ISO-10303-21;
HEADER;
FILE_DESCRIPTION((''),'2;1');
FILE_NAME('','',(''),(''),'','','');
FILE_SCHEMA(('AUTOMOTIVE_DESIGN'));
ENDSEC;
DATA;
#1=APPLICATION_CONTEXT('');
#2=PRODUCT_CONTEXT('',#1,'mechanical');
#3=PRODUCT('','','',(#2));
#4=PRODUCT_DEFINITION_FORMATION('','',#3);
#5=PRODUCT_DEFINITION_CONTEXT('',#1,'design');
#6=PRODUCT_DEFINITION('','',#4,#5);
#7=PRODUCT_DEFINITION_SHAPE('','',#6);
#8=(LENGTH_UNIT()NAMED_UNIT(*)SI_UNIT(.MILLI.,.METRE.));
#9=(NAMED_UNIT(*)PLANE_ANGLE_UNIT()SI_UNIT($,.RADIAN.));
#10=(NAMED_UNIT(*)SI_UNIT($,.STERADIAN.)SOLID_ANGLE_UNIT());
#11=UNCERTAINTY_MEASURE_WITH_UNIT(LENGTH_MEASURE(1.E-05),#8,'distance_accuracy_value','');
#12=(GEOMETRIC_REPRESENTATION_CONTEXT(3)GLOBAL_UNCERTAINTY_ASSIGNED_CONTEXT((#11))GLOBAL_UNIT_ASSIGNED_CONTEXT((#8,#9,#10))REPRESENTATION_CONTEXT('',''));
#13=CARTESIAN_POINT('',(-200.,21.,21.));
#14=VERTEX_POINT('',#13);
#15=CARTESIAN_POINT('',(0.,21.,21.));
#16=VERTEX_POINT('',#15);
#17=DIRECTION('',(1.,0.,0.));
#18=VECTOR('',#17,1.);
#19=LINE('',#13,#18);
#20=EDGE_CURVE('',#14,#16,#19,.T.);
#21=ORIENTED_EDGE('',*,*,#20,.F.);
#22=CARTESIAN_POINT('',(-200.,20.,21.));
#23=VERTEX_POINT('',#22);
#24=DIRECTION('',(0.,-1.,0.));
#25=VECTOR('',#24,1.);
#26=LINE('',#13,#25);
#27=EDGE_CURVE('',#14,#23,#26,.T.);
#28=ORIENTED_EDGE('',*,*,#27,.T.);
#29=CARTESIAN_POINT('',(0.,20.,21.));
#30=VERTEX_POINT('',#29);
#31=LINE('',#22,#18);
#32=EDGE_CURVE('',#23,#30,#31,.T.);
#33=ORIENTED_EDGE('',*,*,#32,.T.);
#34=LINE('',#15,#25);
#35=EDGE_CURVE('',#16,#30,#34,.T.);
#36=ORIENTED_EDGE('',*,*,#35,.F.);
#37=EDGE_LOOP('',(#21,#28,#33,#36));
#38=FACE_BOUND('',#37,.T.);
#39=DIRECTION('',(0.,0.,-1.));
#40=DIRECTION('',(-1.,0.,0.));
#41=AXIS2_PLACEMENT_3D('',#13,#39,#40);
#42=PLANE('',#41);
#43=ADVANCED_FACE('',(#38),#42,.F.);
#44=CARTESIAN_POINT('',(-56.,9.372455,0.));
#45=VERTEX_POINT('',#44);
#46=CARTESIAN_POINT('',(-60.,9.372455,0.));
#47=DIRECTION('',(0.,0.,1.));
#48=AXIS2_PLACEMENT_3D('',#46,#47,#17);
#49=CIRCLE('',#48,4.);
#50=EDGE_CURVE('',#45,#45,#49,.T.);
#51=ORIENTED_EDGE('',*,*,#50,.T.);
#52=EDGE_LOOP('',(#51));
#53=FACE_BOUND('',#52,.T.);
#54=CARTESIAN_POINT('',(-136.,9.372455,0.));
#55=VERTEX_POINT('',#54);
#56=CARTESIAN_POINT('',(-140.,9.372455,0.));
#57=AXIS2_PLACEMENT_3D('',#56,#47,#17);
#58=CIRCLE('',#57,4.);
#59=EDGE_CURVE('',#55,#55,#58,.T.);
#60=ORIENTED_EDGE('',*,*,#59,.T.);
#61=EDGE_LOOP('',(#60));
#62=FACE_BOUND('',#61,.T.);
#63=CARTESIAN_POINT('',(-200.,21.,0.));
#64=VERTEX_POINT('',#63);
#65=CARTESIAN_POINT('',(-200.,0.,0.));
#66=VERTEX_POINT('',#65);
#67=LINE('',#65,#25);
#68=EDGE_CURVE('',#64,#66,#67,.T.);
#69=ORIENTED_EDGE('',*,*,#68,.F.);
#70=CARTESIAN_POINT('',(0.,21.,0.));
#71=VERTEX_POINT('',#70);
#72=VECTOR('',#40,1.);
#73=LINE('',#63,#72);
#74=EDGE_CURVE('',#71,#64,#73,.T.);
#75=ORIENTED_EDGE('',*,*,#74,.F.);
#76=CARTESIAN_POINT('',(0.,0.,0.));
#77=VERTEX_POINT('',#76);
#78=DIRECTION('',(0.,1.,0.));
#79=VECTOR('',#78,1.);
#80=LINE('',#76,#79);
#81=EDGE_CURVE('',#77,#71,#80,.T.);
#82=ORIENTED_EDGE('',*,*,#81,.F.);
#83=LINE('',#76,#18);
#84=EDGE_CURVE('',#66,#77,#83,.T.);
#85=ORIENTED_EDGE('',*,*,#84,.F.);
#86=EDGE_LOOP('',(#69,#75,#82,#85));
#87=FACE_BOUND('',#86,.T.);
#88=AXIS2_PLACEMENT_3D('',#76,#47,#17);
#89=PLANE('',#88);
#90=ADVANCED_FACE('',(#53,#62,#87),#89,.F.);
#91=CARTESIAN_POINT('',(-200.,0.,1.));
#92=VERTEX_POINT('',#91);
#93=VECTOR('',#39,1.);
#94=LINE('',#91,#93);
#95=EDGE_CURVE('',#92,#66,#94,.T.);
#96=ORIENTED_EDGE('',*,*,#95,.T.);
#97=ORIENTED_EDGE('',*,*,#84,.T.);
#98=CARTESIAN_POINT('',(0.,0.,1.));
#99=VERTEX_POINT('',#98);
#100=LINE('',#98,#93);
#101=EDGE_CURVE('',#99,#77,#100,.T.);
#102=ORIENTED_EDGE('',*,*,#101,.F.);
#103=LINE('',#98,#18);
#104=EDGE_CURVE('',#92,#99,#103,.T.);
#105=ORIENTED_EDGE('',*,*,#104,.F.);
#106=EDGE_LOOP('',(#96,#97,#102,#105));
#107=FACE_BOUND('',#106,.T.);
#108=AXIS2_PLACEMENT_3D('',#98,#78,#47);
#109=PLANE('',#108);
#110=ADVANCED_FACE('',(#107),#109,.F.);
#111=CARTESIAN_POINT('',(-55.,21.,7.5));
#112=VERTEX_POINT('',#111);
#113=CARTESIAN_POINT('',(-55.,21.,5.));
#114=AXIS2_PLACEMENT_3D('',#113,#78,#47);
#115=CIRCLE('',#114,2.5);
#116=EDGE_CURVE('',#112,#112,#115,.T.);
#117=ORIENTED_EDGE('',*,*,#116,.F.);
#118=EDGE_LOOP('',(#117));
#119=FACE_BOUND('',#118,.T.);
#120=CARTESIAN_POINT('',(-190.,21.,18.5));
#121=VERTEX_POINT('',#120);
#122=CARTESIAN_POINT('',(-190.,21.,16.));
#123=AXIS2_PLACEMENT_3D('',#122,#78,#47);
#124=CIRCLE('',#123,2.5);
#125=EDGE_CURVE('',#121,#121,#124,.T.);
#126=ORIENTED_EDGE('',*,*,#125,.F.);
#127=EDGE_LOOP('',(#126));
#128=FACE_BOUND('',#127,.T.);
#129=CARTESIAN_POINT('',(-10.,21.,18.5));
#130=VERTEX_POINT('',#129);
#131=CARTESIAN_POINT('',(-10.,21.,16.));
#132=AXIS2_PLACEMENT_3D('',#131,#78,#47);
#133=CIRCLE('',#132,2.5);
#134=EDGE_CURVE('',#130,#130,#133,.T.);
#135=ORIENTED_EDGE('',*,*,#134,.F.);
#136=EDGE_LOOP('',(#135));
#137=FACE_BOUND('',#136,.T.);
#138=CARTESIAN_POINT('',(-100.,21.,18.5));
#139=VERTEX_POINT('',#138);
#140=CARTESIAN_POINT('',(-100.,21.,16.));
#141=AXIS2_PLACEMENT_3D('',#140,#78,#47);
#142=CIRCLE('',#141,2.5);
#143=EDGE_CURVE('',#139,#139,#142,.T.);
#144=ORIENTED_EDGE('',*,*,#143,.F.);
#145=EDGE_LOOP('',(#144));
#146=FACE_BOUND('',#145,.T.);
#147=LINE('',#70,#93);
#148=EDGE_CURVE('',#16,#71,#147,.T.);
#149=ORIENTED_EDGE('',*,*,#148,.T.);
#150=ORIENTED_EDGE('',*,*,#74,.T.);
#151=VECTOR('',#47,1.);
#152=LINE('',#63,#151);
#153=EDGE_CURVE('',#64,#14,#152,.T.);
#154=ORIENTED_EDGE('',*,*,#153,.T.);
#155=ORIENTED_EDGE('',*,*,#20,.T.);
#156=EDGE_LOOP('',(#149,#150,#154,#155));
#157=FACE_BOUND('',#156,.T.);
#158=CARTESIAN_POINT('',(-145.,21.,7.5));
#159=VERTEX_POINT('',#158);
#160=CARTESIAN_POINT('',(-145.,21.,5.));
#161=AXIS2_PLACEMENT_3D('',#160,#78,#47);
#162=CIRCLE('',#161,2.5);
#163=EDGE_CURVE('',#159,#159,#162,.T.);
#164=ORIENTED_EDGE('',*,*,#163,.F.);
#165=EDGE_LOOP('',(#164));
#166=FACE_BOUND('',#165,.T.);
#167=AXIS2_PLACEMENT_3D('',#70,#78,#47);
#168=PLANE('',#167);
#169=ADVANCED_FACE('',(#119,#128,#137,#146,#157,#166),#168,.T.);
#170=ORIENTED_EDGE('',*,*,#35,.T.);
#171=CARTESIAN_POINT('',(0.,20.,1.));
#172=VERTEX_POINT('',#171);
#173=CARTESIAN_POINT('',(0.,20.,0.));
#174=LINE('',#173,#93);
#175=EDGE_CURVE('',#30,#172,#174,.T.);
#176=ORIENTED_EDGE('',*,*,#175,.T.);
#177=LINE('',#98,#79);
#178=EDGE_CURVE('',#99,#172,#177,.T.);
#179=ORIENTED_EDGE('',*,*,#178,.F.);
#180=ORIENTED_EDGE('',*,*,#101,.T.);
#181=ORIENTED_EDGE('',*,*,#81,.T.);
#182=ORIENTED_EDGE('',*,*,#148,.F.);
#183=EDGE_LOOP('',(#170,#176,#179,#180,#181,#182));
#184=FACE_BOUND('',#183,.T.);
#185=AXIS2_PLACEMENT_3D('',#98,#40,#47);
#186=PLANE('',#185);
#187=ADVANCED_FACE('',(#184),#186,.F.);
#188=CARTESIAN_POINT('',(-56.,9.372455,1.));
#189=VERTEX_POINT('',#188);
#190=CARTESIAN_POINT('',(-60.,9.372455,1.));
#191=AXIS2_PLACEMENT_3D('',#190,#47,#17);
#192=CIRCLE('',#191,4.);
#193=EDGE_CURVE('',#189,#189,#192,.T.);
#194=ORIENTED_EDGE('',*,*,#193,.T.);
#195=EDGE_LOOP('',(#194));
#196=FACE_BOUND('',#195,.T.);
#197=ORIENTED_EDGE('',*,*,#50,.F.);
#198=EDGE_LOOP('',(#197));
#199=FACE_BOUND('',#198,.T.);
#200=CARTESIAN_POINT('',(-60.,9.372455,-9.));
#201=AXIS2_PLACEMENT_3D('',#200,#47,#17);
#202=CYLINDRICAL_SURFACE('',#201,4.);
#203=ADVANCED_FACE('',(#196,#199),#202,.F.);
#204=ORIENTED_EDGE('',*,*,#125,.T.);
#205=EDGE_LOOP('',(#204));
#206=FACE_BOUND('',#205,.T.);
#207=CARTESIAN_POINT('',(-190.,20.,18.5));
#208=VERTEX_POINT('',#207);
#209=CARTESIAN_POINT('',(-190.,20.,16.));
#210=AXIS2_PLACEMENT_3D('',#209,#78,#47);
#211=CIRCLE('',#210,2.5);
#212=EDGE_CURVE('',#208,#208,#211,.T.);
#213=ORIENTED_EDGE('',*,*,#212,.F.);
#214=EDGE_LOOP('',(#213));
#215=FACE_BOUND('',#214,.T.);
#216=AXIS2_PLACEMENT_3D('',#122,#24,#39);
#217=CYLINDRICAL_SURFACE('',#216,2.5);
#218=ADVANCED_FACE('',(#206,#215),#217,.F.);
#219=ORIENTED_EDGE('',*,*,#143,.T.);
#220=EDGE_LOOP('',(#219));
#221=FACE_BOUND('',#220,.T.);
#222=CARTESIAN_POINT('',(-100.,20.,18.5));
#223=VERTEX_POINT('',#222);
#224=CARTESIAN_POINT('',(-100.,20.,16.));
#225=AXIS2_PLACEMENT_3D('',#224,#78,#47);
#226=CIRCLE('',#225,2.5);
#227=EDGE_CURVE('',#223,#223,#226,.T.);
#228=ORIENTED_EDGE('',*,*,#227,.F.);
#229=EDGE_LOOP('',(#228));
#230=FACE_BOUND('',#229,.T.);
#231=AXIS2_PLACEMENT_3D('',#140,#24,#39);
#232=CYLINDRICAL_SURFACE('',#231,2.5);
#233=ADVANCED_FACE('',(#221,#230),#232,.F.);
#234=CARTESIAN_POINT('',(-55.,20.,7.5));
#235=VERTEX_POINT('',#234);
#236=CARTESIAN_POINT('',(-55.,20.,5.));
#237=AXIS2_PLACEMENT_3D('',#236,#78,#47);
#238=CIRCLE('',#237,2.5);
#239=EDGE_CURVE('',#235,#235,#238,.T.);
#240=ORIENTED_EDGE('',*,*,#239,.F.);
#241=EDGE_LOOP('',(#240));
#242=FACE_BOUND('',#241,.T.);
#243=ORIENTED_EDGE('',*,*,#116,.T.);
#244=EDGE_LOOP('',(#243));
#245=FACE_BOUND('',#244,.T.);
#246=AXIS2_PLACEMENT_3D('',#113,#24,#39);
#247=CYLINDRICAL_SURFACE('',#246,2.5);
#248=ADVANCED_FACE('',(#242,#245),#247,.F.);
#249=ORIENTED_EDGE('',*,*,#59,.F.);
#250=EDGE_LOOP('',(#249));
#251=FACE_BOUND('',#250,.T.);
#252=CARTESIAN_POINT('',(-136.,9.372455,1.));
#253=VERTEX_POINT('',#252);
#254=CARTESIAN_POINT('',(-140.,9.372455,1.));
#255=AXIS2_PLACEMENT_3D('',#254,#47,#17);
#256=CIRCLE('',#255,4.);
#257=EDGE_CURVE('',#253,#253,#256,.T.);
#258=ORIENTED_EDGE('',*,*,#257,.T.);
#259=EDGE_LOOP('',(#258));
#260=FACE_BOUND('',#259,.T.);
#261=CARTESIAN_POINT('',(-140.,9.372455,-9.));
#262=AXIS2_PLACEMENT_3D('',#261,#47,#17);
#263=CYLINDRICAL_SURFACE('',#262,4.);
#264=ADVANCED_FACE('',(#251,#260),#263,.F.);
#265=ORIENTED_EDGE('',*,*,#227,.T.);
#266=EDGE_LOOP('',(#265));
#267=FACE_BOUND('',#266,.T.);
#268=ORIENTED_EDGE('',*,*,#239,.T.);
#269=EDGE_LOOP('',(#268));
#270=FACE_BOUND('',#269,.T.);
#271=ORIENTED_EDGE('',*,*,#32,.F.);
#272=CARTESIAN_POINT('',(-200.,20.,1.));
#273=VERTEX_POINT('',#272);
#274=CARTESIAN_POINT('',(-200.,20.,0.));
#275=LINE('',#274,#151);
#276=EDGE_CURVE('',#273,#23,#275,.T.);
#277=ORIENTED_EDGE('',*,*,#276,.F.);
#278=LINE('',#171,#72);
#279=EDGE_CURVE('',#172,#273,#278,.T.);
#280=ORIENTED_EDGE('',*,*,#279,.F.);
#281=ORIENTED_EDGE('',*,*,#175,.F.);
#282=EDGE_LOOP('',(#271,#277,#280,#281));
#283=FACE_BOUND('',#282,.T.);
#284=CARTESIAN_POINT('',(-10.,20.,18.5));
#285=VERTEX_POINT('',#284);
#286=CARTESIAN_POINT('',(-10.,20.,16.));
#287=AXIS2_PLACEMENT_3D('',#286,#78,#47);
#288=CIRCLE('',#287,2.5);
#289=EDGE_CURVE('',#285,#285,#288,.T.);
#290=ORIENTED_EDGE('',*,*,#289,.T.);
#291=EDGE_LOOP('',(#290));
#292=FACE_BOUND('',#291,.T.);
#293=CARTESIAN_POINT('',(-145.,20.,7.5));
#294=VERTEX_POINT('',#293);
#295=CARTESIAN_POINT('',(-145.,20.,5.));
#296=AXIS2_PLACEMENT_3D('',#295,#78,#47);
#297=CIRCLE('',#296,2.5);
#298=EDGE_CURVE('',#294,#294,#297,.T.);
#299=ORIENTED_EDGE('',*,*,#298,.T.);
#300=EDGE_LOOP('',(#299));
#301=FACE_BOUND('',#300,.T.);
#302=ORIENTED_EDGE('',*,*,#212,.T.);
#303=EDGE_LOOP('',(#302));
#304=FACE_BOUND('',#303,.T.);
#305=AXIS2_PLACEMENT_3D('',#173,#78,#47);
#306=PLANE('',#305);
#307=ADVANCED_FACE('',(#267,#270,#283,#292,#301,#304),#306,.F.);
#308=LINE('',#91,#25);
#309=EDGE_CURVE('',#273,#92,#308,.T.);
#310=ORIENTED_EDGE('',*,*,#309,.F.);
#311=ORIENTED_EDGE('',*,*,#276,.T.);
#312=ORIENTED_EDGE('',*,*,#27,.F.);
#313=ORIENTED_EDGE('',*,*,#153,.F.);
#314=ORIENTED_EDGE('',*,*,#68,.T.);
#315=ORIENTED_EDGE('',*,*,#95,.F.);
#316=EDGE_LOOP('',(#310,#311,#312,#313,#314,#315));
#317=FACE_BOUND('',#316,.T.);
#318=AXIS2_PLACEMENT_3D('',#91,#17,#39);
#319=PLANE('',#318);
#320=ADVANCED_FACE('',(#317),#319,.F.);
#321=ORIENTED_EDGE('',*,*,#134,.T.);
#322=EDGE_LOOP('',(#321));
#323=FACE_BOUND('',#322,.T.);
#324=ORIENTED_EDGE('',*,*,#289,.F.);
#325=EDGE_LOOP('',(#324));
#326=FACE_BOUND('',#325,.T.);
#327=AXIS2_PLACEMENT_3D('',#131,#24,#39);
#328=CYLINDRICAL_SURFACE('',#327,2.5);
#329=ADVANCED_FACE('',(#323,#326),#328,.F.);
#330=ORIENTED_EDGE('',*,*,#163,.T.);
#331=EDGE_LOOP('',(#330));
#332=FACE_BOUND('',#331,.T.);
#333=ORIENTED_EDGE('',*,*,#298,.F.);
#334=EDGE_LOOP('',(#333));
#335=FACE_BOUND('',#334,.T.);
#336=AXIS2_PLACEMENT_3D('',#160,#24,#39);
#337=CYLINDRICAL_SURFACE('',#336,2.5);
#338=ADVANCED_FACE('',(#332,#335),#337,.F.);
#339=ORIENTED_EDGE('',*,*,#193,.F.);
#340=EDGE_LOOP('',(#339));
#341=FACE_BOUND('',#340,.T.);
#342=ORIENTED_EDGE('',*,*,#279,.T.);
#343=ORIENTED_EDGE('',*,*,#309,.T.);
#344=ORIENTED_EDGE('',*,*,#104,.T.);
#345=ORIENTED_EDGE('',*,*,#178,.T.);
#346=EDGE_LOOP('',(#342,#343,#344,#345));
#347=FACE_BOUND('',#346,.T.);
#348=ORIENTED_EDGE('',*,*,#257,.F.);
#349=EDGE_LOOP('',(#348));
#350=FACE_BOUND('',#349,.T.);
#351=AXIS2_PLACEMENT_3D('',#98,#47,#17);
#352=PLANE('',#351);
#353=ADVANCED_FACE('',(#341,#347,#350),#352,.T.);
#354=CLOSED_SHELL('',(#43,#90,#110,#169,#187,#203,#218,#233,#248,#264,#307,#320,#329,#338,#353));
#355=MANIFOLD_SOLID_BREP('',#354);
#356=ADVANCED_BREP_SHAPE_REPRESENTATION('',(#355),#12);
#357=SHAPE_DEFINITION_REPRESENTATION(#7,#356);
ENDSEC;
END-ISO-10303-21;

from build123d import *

# Parameters (mm, degrees)
SKETCH1_W           = 200
SKETCH1_H           = 20
BOSS_EXTRUDE1_DEPTH = 1
SKETCH4_W           = 200
SKETCH4_H           = 21
SKETCH4_R           = 2.5
BOSS_EXTRUDE2_DEPTH = 1
SKETCH5_R           = 4
CUT_EXTRUDE1_DEPTH  = 10


with BuildPart() as part:
    # Sketch1 → Boss-Extrude1 (new body)
    with BuildSketch(Plane.XY):
        with Locations((-100, 10)):
            Rectangle(SKETCH1_W, SKETCH1_H)
    extrude(amount=BOSS_EXTRUDE1_DEPTH)

    # Sketch4 → Boss-Extrude2 (add)
    with BuildSketch(Plane(origin=(0, 20, 0), x_dir=(1, 0, 0), z_dir=(0, 1, 0))):
        with Locations((-100, -10.5)):
            Rectangle(SKETCH4_W, SKETCH4_H)
        with Locations(Location((-190, -16, 0), (0, 0, 270))):
            Circle(SKETCH4_R, mode=Mode.SUBTRACT)
        with Locations(Location((-145, -5, 0), (0, 0, 270))):
            Circle(SKETCH4_R, mode=Mode.SUBTRACT)
        with Locations(Location((-100, -16, 0), (0, 0, 270))):
            Circle(SKETCH4_R, mode=Mode.SUBTRACT)
        with Locations(Location((-55, -5, 0), (0, 0, 270))):
            Circle(SKETCH4_R, mode=Mode.SUBTRACT)
        with Locations(Location((-10, -16, 0), (0, 0, 270))):
            Circle(SKETCH4_R, mode=Mode.SUBTRACT)
    extrude(amount=BOSS_EXTRUDE2_DEPTH)

    # Sketch5 → Cut-Extrude1 (cut)
    with BuildSketch(Plane.XY.offset(1)):
        with Locations((-140, 9.372455226)):
            Circle(SKETCH5_R)
        with Locations((-60, 9.372455226)):
            Circle(SKETCH5_R)
    extrude(amount=-CUT_EXTRUDE1_DEPTH, mode=Mode.SUBTRACT)


solid = part.part
